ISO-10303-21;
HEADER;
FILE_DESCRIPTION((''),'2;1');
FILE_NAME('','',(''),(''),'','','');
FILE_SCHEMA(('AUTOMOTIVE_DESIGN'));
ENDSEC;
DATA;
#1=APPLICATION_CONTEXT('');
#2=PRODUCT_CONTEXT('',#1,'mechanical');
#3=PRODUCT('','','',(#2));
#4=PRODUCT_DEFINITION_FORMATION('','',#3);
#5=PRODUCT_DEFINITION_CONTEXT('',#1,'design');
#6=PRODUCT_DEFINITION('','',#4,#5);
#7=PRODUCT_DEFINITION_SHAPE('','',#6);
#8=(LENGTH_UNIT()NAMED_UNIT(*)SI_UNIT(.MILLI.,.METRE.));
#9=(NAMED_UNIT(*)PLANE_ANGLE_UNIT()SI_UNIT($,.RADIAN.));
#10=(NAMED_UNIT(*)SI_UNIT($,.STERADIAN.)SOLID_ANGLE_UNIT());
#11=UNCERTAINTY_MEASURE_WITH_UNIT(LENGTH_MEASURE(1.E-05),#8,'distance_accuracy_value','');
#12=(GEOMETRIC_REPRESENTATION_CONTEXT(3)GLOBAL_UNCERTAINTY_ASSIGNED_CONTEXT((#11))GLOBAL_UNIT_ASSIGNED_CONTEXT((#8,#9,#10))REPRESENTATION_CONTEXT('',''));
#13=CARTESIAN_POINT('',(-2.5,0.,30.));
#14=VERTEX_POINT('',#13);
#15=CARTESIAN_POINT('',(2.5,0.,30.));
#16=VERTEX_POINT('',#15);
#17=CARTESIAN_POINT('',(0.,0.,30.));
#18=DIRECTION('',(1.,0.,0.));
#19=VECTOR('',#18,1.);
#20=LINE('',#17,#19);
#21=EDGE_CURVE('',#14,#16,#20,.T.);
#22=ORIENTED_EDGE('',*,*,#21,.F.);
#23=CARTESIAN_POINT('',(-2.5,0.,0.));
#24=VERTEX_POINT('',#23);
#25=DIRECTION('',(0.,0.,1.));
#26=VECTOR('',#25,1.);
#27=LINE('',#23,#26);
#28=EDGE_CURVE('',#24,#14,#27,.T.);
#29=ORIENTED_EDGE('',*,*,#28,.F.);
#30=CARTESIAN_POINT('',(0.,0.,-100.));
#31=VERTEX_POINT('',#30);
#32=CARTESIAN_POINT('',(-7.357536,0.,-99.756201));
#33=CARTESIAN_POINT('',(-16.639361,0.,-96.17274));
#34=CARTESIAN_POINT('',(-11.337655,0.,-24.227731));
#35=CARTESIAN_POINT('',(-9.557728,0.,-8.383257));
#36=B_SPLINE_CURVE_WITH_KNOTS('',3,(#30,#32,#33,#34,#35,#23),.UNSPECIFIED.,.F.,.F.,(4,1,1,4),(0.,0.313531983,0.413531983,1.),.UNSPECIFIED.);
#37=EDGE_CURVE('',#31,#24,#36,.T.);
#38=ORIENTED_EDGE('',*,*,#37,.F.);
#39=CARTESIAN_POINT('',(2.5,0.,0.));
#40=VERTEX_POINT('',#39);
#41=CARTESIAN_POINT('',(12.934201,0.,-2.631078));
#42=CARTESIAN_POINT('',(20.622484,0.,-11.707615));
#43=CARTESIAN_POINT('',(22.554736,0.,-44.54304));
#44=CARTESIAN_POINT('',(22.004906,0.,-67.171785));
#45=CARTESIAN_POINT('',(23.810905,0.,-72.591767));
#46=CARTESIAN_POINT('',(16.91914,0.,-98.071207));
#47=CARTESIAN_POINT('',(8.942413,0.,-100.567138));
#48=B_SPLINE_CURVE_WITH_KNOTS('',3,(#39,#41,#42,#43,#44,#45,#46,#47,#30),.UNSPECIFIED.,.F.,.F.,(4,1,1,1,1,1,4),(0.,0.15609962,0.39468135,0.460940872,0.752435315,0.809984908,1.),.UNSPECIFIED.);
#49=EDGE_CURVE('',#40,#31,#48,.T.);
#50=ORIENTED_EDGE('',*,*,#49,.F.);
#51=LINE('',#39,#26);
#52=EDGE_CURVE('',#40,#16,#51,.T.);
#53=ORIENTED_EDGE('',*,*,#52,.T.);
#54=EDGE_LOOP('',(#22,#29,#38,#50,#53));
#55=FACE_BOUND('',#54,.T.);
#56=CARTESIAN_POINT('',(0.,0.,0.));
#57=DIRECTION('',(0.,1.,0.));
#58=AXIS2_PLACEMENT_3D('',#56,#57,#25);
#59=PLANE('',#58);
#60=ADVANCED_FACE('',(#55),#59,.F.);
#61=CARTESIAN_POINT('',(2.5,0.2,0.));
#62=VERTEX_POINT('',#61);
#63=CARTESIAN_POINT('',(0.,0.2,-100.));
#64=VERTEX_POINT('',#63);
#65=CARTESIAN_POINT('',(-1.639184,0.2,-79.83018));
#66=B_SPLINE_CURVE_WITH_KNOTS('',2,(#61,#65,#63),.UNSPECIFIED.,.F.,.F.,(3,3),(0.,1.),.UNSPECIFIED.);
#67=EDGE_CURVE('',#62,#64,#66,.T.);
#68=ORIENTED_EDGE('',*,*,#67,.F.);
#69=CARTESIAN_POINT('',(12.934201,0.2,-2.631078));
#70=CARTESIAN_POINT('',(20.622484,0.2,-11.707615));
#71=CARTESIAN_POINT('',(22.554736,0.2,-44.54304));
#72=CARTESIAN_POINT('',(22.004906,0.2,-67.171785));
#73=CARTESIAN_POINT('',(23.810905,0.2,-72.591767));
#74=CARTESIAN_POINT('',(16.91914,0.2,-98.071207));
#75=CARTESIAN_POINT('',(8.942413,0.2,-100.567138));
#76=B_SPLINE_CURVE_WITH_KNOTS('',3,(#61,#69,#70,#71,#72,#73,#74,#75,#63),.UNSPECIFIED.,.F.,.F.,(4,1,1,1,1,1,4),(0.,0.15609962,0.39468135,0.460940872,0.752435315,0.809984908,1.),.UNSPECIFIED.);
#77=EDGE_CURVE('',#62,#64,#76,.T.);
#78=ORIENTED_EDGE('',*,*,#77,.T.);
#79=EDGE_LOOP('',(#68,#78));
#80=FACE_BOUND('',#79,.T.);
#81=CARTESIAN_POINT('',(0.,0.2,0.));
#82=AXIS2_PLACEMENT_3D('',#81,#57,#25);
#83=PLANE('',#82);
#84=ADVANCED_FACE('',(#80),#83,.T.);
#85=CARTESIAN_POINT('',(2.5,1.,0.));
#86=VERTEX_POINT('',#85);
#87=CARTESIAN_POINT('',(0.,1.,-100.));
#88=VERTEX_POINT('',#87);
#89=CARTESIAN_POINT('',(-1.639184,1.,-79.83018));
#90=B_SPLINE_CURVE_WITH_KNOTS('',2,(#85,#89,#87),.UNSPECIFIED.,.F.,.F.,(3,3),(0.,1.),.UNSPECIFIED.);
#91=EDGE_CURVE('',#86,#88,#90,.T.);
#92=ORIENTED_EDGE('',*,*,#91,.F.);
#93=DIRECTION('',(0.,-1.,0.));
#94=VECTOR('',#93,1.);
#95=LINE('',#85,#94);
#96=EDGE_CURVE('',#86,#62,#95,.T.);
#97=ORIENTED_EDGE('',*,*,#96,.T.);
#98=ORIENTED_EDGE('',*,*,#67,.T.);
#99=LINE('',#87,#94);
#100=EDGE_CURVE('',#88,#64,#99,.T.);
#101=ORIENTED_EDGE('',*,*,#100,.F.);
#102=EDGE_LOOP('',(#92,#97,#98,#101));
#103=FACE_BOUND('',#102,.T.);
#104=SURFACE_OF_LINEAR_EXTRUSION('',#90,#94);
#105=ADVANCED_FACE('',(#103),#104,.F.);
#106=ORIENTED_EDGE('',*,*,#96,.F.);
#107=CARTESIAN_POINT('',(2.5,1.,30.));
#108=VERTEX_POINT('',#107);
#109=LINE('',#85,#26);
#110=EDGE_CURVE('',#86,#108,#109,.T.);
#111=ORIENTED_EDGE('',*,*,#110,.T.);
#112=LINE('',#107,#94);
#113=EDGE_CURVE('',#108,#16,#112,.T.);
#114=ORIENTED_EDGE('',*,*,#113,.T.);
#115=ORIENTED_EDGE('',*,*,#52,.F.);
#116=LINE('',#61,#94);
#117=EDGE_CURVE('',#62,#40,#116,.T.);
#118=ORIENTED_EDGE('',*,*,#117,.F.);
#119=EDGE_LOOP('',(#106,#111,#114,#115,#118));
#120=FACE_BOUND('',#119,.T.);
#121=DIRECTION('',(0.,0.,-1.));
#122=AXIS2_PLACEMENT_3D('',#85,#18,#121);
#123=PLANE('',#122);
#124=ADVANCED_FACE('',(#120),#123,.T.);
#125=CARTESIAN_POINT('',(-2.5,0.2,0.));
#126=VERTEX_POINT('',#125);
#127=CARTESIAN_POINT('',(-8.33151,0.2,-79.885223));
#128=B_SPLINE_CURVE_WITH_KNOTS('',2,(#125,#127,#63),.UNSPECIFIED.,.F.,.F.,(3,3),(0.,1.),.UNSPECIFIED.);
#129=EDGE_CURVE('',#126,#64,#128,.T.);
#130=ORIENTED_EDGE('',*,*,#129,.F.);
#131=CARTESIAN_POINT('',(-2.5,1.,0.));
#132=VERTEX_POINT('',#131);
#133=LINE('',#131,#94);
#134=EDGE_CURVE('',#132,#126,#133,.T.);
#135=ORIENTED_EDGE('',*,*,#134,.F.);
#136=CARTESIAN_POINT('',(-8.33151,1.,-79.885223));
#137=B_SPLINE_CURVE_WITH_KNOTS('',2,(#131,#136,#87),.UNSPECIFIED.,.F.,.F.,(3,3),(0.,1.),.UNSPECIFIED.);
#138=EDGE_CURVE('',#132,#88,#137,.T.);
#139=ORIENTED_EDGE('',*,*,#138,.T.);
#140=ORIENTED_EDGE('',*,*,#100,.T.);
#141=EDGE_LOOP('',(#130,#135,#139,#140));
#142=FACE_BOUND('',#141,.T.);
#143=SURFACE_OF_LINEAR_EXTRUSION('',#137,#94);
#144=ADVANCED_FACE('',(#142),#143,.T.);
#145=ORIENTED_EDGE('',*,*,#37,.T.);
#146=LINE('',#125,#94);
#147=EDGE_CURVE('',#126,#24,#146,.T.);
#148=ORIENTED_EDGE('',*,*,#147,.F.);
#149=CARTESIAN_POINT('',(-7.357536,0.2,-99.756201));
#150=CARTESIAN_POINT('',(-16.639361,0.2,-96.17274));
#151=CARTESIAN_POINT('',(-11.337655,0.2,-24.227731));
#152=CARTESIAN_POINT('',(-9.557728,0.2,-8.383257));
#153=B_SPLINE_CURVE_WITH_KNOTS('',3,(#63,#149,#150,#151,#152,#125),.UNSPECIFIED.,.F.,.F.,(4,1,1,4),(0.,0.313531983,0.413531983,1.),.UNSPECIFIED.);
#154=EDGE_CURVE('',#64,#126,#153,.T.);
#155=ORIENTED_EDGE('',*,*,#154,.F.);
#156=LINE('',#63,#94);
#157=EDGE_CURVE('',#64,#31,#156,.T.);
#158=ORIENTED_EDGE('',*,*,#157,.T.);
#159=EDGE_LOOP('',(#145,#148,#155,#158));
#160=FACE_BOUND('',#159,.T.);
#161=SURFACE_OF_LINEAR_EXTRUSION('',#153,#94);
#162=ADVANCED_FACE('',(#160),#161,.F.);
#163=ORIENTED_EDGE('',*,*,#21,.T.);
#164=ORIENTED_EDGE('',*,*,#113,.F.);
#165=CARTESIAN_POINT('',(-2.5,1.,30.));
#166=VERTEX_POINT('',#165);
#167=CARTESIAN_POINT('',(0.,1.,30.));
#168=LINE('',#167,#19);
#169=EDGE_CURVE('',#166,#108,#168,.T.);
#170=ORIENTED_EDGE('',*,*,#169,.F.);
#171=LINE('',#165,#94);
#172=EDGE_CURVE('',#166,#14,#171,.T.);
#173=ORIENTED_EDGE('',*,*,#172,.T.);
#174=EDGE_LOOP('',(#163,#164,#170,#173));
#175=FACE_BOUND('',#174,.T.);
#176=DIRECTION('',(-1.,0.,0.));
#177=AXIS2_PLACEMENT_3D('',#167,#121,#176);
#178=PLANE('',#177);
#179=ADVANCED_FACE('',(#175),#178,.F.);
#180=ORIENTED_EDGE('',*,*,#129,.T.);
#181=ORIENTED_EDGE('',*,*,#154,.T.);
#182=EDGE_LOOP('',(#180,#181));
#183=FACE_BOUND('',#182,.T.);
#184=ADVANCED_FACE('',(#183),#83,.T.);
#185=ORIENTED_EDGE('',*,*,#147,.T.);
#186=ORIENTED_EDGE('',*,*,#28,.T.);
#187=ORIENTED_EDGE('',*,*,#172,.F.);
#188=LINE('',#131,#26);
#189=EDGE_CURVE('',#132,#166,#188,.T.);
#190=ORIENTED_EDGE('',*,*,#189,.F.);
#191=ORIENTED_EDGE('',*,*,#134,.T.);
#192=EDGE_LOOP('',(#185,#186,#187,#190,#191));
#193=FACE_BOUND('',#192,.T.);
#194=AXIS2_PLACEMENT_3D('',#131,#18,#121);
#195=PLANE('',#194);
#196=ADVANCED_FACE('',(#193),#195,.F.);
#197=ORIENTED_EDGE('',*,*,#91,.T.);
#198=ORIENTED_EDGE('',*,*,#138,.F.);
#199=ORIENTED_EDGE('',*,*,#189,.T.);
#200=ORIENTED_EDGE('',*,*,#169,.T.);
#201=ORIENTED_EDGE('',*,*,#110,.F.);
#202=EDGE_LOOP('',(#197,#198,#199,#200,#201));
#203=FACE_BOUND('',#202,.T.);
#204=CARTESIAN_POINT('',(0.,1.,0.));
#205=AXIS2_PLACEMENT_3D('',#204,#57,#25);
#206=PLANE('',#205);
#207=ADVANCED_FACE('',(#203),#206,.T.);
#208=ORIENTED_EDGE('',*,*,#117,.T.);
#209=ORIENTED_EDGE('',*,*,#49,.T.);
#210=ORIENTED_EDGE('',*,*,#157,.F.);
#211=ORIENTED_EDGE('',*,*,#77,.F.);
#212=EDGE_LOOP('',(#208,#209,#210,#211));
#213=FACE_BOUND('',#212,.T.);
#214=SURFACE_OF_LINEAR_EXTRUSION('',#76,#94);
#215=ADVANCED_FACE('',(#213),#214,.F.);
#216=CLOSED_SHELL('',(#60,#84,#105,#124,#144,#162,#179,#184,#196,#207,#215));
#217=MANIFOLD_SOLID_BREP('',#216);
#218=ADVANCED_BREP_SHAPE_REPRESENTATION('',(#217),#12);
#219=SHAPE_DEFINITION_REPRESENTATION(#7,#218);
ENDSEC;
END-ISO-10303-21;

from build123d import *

# Parameters (mm, degrees)
BOSS_EXTRUDE1_DEPTH = 1
BOSS_EXTRUDE2_DEPTH = 0.2


with BuildPart() as part:
    # Sketch2 → Boss-Extrude1 (new body)
    with BuildSketch(Plane(origin=(0, 0, 0), x_dir=(1, 0, 0), z_dir=(0, 1, 0))):
        with BuildLine():
            add(Edge.make_bspline(
                [(-2.5, 0), (-8.331510312, 79.88522278), (0, 100)],
                knots=[0, 0, 0, 1, 1, 1], degree=2))
            Line((-2.5, 0), (-2.5, -30))
            Line((-2.5, -30), (2.5, -30))
            Line((2.5, -30), (2.5, 0))
            add(Edge.make_bspline(
                [(2.5, 0), (-1.639184348, 79.830180153), (0, 100)],
                knots=[0, 0, 0, 1, 1, 1], degree=2))
        make_face()
    extrude(amount=BOSS_EXTRUDE1_DEPTH)

    # Sketch2<4> → Boss-Extrude2 (add)
    with BuildSketch(Plane(origin=(0, 0, 0), x_dir=(1, 0, 0), z_dir=(0, 1, 0))):
        with BuildLine():
            add(Edge.make_bspline(
                [(0, 100), (-7.357536045, 99.756200735), (-16.639361455, 96.17273961), (-11.337654503, 24.227731288), (-9.557728223, 8.38325723), (-2.5, 0)],
                knots=[0, 0, 0, 0, 0.313531983, 0.413531983, 1, 1, 1, 1], degree=3))
            add(Edge.make_bspline(
                [(-2.5, 0), (-8.331510312, 79.88522278), (0, 100)],
                knots=[0, 0, 0, 1, 1, 1], degree=2))
        make_face()
        with BuildLine():
            add(Edge.make_bspline(
                [(2.5, 0), (12.934201307, 2.631077686), (20.622483583, 11.707615166), (22.554736081, 44.54303974), (22.004905999, 67.171785011), (23.810905146, 72.591766672), (16.919139759, 98.071207202), (8.942412889, 100.567138422), (0, 100)],
                knots=[0, 0, 0, 0, 0.15609962, 0.39468135, 0.460940872, 0.752435315, 0.809984908, 1, 1, 1, 1], degree=3))
            add(Edge.make_bspline(
                [(2.5, 0), (-1.639184348, 79.830180153), (0, 100)],
                knots=[0, 0, 0, 1, 1, 1], degree=2))
        make_face()
    extrude(amount=BOSS_EXTRUDE2_DEPTH)


solid = part.part
